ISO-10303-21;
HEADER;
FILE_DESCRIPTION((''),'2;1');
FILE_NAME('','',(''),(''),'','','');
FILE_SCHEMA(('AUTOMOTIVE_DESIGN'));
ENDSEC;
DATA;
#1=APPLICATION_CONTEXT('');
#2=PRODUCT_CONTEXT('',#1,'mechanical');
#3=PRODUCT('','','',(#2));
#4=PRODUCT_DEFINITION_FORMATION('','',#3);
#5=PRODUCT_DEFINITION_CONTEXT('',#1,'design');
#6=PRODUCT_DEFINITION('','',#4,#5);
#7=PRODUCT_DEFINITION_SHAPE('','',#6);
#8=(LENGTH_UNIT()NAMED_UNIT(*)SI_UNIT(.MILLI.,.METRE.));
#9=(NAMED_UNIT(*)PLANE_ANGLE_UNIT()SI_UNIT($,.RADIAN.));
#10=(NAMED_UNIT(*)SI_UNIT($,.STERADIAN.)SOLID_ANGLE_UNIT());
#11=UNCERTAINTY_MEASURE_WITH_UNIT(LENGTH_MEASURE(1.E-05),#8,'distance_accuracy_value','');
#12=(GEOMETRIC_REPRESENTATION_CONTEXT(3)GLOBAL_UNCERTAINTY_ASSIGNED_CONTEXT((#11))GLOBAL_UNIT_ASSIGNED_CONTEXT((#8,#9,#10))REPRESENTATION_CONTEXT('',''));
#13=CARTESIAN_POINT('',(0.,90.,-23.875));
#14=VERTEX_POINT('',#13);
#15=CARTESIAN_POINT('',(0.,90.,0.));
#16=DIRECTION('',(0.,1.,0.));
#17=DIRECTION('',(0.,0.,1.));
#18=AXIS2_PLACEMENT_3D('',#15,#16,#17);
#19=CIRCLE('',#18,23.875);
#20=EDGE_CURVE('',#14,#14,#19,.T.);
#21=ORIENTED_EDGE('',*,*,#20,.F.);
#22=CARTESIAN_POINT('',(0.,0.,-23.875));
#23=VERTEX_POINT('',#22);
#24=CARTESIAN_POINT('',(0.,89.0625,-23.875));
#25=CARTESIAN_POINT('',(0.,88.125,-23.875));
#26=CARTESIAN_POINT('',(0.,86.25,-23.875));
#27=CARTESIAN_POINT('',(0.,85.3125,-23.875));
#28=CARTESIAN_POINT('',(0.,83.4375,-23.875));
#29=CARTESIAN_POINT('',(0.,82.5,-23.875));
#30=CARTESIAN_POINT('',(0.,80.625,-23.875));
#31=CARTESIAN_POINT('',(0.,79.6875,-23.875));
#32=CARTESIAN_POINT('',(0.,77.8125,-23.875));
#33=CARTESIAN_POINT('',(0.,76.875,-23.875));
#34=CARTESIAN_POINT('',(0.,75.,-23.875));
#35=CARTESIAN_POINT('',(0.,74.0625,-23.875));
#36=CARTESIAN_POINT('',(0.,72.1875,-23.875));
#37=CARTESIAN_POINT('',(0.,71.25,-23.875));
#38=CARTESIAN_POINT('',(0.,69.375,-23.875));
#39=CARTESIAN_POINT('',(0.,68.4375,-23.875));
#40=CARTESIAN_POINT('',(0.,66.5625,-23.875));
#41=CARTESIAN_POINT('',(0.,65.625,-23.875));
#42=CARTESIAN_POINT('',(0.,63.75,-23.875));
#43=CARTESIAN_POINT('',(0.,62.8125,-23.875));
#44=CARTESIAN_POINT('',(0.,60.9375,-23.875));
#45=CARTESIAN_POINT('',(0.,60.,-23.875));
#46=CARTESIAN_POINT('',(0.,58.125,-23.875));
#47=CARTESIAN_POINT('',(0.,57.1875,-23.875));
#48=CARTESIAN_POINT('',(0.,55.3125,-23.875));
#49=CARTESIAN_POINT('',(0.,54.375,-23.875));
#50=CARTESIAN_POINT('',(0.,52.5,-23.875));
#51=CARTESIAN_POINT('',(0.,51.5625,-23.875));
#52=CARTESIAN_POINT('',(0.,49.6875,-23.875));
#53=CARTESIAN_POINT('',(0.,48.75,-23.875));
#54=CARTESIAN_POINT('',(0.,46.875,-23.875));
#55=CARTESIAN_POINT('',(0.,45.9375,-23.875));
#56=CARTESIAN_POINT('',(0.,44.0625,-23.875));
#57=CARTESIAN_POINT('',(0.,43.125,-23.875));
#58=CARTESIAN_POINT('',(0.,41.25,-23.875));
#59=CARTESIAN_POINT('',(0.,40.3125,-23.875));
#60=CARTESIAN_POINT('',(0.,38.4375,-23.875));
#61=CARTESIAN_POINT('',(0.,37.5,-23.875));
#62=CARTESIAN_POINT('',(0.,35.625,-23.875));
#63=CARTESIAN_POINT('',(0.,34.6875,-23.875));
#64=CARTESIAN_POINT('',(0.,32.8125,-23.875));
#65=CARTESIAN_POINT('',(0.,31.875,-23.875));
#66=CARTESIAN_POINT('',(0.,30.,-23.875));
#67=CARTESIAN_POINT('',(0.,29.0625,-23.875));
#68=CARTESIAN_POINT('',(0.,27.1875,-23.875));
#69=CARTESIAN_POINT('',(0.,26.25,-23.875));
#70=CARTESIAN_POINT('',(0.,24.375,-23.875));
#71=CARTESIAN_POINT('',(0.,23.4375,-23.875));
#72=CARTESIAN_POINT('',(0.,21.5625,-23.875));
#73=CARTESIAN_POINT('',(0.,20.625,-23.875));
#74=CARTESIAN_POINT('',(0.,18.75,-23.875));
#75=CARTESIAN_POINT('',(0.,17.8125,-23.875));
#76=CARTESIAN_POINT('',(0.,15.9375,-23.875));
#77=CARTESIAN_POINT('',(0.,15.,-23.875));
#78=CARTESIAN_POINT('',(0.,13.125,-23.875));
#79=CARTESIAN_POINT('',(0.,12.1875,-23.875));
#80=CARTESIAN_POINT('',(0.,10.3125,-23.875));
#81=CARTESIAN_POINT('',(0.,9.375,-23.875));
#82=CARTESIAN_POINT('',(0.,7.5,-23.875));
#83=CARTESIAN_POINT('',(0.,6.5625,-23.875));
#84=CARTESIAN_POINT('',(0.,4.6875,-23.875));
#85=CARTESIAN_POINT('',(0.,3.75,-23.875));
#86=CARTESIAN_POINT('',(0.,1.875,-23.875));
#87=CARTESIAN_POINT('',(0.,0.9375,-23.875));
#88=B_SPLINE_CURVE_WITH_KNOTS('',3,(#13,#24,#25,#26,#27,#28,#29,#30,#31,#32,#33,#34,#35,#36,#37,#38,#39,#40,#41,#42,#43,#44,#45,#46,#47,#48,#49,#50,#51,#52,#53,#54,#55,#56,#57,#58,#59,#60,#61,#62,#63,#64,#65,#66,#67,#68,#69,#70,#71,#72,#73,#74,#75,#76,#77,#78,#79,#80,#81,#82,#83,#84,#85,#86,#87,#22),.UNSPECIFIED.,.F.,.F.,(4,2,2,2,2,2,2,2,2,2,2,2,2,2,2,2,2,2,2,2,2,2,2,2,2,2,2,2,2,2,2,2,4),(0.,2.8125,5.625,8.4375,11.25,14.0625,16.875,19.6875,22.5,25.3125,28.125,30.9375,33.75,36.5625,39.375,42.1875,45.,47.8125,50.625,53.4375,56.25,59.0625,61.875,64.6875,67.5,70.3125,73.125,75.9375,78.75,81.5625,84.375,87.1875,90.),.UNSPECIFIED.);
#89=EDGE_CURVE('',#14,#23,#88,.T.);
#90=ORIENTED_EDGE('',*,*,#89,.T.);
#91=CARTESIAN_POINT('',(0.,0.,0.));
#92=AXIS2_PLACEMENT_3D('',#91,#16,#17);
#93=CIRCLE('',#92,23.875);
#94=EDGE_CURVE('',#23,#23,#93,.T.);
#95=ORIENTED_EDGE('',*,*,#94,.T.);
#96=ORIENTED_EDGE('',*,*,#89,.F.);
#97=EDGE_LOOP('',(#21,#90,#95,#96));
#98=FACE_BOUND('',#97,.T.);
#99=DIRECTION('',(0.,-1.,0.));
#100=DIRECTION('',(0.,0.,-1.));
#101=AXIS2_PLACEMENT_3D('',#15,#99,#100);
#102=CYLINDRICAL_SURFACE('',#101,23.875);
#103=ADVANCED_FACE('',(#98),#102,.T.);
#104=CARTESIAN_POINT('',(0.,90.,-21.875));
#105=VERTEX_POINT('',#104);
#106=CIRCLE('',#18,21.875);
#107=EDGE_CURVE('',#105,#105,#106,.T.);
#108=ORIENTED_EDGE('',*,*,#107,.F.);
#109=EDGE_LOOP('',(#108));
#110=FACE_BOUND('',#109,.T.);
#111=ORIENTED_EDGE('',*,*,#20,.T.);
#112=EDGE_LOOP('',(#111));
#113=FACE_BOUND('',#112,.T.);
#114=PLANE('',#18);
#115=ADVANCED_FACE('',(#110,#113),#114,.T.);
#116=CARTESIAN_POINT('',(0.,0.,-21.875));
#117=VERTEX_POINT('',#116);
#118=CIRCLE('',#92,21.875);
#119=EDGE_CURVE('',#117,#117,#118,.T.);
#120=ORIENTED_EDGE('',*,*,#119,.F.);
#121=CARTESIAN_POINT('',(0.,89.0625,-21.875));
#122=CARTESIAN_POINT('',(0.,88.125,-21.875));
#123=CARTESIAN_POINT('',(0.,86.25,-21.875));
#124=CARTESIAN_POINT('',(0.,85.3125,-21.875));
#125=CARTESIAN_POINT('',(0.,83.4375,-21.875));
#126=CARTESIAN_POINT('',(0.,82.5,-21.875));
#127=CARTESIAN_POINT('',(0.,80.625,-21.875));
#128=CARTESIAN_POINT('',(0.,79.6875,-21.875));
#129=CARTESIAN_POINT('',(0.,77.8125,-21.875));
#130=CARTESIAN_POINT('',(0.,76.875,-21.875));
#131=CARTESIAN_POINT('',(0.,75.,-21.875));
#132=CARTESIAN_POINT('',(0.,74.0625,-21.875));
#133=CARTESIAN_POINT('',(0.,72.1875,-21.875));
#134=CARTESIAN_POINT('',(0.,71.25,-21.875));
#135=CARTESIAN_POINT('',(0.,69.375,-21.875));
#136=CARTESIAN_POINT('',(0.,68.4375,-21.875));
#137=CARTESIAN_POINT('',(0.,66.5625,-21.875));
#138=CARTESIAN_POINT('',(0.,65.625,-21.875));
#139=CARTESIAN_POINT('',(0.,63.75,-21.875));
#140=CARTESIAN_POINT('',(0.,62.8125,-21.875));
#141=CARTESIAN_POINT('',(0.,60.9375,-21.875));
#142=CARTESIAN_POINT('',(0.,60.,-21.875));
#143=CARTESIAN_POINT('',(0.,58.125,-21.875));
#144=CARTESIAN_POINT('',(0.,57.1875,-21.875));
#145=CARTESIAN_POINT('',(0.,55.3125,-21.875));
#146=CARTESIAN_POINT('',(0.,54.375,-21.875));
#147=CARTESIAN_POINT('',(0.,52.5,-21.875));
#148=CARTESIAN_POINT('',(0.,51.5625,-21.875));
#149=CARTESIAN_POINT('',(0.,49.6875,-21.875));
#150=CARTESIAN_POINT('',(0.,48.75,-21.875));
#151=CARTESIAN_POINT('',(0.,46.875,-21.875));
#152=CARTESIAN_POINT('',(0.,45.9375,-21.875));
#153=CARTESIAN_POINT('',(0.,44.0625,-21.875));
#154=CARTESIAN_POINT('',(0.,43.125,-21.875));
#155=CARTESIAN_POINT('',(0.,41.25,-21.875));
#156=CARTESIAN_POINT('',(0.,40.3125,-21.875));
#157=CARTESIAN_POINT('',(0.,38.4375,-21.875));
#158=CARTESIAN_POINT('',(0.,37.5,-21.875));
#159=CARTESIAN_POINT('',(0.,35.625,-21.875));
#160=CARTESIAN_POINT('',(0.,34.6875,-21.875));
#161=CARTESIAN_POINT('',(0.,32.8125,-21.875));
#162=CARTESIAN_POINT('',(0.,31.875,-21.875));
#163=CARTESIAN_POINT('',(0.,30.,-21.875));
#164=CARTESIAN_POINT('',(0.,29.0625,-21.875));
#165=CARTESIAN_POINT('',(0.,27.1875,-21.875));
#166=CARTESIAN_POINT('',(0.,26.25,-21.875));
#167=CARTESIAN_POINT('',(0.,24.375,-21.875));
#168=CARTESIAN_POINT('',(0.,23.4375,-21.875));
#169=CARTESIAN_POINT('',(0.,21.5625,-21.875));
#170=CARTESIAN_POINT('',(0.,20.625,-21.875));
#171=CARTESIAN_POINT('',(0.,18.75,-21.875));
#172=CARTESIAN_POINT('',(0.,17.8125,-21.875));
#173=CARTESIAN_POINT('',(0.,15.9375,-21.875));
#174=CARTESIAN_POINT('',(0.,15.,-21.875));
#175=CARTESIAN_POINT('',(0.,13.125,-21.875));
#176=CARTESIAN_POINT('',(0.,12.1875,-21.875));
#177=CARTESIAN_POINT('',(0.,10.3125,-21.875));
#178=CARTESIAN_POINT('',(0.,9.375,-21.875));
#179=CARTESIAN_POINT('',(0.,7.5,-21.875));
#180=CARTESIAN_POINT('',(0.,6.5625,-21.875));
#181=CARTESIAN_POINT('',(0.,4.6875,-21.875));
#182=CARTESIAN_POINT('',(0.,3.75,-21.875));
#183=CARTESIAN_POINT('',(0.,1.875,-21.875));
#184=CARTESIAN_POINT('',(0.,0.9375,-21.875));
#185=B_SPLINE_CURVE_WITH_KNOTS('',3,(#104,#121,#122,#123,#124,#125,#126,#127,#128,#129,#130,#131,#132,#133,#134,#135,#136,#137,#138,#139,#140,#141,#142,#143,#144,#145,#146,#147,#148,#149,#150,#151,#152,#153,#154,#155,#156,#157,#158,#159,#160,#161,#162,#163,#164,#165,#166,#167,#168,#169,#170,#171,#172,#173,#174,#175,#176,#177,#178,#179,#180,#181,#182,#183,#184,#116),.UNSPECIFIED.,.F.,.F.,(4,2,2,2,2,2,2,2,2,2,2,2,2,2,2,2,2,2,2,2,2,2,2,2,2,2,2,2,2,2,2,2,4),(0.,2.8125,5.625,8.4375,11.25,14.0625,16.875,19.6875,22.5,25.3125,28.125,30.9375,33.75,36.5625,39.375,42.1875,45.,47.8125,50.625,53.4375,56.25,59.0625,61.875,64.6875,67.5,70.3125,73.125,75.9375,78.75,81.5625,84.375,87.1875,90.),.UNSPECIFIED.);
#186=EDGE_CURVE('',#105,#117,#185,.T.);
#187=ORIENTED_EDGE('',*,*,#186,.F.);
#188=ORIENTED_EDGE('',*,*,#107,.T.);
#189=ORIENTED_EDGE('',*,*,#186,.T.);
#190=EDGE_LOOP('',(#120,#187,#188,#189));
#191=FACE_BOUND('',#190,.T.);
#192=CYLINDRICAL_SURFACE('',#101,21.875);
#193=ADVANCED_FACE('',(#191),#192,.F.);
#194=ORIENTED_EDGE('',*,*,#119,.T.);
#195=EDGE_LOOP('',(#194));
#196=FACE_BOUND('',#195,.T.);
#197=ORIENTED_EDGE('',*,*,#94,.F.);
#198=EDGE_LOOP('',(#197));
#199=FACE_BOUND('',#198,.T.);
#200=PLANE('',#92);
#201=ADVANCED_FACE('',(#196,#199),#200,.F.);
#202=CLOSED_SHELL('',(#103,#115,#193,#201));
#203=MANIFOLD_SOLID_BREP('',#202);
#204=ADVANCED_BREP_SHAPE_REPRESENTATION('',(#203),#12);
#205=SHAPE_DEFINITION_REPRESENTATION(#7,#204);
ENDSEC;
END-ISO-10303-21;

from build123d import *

# Parameters (mm, degrees)
SKETCH2_R           = 23.875
SKETCH2_R_2         = 21.875
BOSS_EXTRUDE2_DEPTH = 90


with BuildPart() as part:
    # Sketch2 → Boss-Extrude2 (new body)
    with BuildSketch(Plane(origin=(0, 0, 0), x_dir=(1, 0, 0), z_dir=(0, 1, 0))):
        with Locations(Location((0, 0, 0), (0, 0, 90))):
            Circle(SKETCH2_R)
        with Locations(Location((0, 0, 0), (0, 0, 90))):
            Circle(SKETCH2_R_2, mode=Mode.SUBTRACT)
    extrude(amount=BOSS_EXTRUDE2_DEPTH)


solid = part.part
